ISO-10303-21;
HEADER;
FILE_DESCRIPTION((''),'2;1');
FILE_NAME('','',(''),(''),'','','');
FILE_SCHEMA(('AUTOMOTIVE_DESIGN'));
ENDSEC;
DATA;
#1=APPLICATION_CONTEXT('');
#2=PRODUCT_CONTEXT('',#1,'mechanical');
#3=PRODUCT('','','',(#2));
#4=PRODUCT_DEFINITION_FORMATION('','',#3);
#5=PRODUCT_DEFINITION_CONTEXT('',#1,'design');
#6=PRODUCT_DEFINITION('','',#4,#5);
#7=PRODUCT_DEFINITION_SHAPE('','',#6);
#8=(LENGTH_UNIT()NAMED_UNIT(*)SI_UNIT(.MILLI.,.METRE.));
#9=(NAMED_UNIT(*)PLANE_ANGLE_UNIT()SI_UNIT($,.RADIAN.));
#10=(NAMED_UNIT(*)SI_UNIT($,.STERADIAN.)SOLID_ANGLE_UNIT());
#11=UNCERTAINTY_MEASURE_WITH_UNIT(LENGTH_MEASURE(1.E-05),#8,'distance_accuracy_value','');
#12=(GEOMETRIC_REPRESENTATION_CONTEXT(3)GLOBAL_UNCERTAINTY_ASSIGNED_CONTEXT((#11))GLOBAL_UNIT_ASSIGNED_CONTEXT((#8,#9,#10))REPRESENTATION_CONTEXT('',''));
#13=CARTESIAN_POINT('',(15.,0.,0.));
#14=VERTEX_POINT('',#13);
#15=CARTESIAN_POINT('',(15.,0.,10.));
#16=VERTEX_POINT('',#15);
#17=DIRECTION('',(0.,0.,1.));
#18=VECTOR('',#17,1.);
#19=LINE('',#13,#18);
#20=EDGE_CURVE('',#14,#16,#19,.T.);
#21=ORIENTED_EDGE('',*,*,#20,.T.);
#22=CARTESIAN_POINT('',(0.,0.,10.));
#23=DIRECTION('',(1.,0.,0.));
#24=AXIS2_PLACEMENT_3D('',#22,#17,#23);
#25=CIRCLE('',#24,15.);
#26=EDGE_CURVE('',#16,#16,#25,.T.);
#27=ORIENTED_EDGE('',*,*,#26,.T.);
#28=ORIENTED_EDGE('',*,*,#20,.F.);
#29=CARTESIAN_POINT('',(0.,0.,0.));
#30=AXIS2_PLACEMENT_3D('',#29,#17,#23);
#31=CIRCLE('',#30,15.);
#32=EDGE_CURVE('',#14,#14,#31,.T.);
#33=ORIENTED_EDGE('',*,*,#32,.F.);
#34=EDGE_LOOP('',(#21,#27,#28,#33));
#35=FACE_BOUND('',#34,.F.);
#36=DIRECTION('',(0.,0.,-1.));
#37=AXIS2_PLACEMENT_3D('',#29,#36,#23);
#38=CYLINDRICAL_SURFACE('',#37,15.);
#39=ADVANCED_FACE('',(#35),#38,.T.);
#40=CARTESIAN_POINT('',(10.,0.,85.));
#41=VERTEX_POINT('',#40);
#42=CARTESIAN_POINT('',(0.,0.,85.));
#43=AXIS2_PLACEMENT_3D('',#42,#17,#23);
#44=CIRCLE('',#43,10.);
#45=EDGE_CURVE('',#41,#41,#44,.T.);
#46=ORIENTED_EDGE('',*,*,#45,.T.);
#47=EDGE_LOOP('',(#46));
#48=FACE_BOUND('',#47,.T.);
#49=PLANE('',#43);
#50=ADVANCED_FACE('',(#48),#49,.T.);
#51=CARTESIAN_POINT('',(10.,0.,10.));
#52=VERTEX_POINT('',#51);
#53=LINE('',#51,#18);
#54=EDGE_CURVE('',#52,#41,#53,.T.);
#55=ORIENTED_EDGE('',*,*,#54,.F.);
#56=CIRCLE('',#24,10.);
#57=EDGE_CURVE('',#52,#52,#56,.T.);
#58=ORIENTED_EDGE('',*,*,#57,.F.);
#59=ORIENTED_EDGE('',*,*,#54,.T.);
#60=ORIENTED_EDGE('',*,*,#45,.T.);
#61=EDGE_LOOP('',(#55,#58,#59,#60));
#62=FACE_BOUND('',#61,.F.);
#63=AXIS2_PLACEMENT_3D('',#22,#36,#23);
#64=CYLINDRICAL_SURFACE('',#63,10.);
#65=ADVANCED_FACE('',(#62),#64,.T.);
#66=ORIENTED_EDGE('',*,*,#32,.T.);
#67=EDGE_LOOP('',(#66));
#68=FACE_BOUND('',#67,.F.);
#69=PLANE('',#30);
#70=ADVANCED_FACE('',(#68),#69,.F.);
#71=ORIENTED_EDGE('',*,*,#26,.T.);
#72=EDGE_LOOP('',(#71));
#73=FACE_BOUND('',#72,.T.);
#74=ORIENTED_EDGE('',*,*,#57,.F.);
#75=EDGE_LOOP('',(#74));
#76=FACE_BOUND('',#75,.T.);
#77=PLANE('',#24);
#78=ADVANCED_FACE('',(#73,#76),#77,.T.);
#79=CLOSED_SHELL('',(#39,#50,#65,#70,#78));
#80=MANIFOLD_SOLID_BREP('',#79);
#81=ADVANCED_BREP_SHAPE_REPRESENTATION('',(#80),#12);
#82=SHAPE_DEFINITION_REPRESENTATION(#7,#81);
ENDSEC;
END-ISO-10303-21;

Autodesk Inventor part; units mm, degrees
ref_plane "YZ Plane" through (0, 0, 0) normal (1, 0, 0) x (0, 1, 0)
ref_plane "XZ Plane" through (0, 0, 0) normal (0, 1, 0) x (-1, 0, 0)
ref_plane "XY Plane" through (0, 0, 0) normal (0, 0, 1) x (1, 0, 0)
sketch "Sketch1" plane through (0, 0, 0) normal (0, 0, 1) x (1, 0, 0)
  circle A0 centre (0, 0) radius 15
  dimension "d0" = 30
extrude "Extrusion1" add sketch "Sketch1" along normal blind 10
sketch "Sketch2" plane through (0, 0, 10) normal (0, 0, 1) x (1, 0, 0)
  circle A0 centre (0, 0) radius 10
  dimension "d3" = 20
extrude "Extrusion2" add sketch "Sketch2" along normal blind 75
sketch "Sketch3" plane through (0, 0, 0) normal (0, 1, 0) x (-1, 0, 0)
  point P0 (0, 0)
properties part number "Knuckle Pin"
